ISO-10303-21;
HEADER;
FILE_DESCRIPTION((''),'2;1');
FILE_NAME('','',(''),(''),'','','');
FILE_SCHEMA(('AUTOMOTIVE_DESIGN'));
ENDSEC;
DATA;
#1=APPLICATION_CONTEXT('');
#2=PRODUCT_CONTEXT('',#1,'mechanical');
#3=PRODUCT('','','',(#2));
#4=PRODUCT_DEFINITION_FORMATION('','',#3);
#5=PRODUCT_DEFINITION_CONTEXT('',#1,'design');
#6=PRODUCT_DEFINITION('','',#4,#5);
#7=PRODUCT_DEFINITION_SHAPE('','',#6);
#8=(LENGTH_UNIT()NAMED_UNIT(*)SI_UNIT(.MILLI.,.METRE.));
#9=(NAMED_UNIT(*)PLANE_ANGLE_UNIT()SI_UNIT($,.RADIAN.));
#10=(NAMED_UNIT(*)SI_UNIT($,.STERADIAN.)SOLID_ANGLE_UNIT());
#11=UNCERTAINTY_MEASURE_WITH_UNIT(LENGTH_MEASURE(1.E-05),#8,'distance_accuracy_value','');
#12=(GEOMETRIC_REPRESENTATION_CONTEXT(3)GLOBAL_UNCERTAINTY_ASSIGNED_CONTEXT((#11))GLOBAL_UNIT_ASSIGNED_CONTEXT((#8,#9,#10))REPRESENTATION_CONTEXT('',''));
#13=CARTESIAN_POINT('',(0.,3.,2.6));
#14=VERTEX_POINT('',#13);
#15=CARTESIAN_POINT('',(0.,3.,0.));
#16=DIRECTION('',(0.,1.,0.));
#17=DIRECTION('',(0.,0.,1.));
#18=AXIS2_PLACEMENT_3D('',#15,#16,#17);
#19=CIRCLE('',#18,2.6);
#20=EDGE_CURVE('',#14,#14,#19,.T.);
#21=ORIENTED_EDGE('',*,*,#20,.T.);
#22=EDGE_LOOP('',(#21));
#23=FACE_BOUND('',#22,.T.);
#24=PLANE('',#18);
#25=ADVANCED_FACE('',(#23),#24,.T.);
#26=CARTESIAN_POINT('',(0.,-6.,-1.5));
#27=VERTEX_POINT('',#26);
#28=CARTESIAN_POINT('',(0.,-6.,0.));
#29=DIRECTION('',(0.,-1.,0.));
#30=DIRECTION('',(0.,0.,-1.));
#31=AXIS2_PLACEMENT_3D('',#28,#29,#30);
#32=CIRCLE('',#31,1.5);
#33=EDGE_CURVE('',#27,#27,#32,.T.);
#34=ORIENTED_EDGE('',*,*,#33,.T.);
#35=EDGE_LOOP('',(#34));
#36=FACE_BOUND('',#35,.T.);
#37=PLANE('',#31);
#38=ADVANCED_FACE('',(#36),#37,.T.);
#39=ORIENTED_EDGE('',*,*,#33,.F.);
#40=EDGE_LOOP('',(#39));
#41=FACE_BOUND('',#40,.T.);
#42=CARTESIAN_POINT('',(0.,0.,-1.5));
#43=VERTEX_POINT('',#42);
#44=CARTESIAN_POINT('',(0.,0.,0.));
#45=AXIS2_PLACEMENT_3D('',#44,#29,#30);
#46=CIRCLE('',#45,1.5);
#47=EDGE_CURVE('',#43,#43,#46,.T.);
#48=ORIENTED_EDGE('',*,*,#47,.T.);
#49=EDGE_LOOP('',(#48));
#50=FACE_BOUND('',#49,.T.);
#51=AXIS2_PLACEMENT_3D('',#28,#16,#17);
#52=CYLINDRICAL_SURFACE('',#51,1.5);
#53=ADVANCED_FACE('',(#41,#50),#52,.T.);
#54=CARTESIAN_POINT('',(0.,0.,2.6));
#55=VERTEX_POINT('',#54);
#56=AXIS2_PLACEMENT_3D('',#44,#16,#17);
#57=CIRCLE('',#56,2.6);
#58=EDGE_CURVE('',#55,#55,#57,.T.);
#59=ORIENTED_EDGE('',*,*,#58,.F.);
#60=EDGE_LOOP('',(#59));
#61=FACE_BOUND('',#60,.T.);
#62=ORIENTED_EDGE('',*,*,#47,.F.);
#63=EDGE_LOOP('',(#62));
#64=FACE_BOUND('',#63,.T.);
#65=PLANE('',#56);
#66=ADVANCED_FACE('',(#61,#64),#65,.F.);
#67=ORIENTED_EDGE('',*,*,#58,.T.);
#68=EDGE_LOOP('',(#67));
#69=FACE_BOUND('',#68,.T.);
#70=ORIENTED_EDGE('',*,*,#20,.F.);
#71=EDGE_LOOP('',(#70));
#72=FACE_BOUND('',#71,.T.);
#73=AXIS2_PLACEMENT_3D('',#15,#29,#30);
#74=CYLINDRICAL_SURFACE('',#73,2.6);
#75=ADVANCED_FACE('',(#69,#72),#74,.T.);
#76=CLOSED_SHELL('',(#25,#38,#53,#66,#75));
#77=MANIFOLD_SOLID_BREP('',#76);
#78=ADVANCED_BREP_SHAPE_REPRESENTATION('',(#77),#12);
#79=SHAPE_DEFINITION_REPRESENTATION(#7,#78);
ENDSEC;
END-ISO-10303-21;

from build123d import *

# Parameters (mm, degrees)
SKETCH1_R           = 2.6
BOSS_EXTRUDE1_DEPTH = 3
SKETCH2_R           = 1.5
BOSS_EXTRUDE2_DEPTH = 6


with BuildPart() as part:
    # Sketch1 → Boss-Extrude1 (new body)
    with BuildSketch(Plane(origin=(0, 0, 0), x_dir=(1, 0, 0), z_dir=(0, 1, 0))):
        Circle(SKETCH1_R)
    extrude(amount=BOSS_EXTRUDE1_DEPTH)

    # Sketch2 → Boss-Extrude2 (add)
    with BuildSketch(Plane.XZ):
        Circle(SKETCH2_R)
    extrude(amount=BOSS_EXTRUDE2_DEPTH)


solid = part.part
